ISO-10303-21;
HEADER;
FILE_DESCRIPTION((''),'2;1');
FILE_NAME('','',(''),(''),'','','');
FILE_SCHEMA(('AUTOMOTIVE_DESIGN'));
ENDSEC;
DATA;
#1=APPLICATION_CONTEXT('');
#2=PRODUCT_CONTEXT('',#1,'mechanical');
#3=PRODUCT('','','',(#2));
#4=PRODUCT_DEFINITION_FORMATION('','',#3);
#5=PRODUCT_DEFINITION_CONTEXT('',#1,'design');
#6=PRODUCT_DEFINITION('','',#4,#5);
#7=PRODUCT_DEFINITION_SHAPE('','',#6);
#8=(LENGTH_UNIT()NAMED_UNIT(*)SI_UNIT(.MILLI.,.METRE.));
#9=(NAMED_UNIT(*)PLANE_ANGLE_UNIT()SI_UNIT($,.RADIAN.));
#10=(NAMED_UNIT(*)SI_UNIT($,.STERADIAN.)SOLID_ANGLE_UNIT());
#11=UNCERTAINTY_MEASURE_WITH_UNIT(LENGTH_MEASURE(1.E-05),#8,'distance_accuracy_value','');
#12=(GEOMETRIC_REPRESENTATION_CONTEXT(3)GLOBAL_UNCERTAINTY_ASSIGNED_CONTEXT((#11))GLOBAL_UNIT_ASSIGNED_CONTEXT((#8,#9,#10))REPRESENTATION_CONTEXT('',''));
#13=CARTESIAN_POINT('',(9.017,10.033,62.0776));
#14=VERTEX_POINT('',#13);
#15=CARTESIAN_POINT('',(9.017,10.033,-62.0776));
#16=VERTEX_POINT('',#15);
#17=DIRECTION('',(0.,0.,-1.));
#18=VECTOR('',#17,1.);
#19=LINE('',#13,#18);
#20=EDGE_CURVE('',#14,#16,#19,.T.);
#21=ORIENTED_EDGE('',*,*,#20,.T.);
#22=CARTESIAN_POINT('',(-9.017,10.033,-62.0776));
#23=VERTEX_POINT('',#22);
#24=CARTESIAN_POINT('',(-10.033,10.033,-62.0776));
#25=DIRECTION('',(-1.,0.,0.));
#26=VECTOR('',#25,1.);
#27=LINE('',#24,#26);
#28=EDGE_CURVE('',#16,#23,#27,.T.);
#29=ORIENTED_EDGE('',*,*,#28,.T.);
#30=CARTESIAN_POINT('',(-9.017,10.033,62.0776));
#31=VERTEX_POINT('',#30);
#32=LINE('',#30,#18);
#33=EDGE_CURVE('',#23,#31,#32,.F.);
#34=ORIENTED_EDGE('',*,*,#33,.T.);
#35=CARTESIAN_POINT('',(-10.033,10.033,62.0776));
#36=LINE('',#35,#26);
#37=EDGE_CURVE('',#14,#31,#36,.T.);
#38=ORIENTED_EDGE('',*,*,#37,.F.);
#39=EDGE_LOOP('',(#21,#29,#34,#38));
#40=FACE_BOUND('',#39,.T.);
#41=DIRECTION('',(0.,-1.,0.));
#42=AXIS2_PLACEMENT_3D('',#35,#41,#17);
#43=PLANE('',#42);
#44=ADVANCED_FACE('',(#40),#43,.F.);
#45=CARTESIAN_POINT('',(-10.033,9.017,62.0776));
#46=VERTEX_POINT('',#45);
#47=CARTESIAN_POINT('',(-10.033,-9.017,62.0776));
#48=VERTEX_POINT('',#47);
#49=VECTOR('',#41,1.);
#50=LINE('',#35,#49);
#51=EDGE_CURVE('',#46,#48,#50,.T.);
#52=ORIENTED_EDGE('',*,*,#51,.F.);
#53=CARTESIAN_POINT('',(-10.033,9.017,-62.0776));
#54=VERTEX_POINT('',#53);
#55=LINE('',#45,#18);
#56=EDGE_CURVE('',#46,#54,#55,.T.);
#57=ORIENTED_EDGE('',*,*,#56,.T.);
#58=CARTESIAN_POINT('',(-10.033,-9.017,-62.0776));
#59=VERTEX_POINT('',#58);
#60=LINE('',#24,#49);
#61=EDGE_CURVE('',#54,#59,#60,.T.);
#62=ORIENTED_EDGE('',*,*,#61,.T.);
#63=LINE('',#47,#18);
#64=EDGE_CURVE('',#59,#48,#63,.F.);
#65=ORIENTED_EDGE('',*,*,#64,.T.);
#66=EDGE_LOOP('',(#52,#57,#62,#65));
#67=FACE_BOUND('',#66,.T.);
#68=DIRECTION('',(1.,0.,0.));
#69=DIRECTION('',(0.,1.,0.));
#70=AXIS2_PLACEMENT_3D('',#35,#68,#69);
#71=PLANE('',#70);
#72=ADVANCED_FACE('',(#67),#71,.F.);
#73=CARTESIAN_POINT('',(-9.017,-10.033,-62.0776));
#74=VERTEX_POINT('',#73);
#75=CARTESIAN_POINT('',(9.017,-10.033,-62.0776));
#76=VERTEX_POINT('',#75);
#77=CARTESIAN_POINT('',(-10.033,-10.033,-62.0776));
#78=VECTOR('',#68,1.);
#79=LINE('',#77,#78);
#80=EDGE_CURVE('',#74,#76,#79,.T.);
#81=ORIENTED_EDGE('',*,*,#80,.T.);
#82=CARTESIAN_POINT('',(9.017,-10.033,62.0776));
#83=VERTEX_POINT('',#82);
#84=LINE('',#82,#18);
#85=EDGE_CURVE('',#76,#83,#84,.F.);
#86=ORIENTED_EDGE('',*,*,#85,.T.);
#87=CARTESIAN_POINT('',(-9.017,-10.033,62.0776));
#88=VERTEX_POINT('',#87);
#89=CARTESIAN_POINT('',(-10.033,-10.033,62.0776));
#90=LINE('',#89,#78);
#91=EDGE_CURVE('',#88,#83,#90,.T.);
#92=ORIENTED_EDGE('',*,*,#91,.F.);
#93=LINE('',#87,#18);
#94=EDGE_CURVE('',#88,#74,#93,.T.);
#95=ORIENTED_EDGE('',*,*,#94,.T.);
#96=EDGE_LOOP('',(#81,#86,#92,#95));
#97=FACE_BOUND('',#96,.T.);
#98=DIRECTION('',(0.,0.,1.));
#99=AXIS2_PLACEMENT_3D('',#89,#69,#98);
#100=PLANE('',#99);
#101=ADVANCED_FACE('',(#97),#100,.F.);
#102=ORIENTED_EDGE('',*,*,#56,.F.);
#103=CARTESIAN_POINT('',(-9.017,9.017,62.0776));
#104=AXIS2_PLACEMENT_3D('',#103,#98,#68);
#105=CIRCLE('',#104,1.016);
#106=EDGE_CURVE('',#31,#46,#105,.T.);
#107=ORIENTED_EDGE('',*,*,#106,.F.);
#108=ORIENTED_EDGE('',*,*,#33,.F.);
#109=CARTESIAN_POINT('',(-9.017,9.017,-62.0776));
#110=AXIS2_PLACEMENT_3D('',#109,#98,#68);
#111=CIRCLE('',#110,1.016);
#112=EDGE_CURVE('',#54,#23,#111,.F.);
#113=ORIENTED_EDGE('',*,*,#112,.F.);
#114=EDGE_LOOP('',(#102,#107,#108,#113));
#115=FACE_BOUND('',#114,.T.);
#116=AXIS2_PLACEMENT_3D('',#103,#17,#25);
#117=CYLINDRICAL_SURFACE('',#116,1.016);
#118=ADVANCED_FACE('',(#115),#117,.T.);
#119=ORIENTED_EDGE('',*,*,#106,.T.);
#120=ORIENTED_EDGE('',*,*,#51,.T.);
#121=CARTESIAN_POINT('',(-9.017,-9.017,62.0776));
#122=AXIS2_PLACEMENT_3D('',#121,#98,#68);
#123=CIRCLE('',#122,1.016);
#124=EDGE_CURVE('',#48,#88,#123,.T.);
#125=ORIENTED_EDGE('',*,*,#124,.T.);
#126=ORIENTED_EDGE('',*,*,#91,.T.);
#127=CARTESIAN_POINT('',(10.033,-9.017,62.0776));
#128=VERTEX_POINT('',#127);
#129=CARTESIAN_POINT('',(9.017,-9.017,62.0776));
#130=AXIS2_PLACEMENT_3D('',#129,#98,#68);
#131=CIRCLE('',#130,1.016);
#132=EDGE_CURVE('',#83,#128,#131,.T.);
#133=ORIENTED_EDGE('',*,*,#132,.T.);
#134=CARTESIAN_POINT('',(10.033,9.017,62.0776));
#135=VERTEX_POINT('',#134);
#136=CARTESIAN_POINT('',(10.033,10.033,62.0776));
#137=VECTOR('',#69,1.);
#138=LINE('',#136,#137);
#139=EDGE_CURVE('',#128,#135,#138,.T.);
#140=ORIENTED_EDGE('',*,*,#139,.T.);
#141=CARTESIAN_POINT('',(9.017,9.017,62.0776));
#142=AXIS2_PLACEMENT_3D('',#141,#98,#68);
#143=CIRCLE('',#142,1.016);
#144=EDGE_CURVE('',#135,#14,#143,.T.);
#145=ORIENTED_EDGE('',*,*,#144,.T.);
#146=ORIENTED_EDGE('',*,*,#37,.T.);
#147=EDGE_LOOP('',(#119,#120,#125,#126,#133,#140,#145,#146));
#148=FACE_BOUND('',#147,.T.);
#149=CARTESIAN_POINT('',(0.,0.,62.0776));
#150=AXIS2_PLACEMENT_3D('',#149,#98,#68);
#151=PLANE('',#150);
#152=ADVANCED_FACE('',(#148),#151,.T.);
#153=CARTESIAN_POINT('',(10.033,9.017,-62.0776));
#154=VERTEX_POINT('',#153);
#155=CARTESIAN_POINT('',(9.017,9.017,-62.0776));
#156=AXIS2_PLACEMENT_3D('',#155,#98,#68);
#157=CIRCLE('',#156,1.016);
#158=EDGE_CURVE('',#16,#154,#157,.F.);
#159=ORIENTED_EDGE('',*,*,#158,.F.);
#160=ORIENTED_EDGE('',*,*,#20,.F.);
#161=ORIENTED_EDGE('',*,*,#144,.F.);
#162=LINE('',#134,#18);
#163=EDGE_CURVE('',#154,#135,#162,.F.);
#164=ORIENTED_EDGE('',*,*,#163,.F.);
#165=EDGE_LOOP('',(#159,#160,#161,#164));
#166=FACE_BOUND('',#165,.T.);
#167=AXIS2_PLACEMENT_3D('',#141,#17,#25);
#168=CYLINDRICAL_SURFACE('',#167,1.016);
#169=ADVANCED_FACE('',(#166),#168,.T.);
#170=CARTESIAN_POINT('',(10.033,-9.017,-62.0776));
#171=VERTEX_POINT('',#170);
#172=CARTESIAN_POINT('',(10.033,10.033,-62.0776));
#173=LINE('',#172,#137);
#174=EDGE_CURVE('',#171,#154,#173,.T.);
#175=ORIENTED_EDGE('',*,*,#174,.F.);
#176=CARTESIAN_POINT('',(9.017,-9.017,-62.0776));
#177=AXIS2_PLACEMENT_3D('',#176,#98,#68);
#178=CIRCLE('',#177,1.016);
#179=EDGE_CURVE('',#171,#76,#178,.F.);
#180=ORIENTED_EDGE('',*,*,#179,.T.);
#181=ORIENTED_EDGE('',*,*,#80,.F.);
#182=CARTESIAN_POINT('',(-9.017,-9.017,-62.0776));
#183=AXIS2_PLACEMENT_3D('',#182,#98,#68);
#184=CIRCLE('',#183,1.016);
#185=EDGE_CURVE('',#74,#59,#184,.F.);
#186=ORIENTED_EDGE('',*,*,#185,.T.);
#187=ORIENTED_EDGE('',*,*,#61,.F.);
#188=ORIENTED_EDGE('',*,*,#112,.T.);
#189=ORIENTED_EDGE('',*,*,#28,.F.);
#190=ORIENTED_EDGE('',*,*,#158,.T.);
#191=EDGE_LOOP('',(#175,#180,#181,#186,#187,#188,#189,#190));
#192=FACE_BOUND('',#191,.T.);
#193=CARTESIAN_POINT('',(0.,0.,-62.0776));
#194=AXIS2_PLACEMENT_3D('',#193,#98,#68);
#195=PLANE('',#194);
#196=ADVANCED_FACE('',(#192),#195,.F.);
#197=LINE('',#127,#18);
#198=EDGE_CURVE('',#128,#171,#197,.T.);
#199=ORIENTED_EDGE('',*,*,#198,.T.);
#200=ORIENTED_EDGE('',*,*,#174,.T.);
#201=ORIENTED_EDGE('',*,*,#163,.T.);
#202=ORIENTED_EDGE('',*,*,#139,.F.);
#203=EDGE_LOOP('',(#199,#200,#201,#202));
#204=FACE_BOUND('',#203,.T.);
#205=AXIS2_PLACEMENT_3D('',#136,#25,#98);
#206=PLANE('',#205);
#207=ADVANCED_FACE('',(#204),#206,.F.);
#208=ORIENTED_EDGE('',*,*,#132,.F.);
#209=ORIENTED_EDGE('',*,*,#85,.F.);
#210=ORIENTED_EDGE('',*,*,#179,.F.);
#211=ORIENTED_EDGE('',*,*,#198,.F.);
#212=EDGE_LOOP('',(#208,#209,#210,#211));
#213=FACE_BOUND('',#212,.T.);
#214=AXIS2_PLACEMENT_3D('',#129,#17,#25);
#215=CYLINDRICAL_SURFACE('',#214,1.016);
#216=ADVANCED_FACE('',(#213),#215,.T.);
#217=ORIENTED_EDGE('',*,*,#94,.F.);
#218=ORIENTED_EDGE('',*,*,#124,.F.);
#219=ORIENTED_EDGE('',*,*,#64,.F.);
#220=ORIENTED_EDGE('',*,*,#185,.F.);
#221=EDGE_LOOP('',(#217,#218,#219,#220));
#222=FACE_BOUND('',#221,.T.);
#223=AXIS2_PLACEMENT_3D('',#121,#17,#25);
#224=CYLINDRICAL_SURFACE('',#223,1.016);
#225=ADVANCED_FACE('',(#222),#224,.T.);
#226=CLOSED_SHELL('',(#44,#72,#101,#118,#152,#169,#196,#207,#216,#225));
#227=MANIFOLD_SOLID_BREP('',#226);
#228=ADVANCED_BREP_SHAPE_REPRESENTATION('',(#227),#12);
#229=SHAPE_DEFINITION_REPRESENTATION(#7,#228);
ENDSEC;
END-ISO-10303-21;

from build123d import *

# Parameters (mm, degrees)
SKETCH1_W           = 20.066
SKETCH1_H           = 20.066
BOSS_EXTRUDE1_DEPTH = 62.0776
FILLET1_R           = 1.016


with BuildPart() as part:
    # Sketch1 → Boss-Extrude1 (new, symmetric)
    with BuildSketch(Plane.XY):
        Rectangle(SKETCH1_W, SKETCH1_H)
    extrude(amount=BOSS_EXTRUDE1_DEPTH, both=True)

    # Fillet1
    fillet1_edges = [part.edges().sort_by_distance(p)[0] for p in [
        (10.033, -10.033, 0),
        (-10.033, -10.033, 0),
        (-10.033, 10.033, 0),
        (10.033, 10.033, 0),
    ]]
    fillet(fillet1_edges, radius=FILLET1_R)


solid = part.part
